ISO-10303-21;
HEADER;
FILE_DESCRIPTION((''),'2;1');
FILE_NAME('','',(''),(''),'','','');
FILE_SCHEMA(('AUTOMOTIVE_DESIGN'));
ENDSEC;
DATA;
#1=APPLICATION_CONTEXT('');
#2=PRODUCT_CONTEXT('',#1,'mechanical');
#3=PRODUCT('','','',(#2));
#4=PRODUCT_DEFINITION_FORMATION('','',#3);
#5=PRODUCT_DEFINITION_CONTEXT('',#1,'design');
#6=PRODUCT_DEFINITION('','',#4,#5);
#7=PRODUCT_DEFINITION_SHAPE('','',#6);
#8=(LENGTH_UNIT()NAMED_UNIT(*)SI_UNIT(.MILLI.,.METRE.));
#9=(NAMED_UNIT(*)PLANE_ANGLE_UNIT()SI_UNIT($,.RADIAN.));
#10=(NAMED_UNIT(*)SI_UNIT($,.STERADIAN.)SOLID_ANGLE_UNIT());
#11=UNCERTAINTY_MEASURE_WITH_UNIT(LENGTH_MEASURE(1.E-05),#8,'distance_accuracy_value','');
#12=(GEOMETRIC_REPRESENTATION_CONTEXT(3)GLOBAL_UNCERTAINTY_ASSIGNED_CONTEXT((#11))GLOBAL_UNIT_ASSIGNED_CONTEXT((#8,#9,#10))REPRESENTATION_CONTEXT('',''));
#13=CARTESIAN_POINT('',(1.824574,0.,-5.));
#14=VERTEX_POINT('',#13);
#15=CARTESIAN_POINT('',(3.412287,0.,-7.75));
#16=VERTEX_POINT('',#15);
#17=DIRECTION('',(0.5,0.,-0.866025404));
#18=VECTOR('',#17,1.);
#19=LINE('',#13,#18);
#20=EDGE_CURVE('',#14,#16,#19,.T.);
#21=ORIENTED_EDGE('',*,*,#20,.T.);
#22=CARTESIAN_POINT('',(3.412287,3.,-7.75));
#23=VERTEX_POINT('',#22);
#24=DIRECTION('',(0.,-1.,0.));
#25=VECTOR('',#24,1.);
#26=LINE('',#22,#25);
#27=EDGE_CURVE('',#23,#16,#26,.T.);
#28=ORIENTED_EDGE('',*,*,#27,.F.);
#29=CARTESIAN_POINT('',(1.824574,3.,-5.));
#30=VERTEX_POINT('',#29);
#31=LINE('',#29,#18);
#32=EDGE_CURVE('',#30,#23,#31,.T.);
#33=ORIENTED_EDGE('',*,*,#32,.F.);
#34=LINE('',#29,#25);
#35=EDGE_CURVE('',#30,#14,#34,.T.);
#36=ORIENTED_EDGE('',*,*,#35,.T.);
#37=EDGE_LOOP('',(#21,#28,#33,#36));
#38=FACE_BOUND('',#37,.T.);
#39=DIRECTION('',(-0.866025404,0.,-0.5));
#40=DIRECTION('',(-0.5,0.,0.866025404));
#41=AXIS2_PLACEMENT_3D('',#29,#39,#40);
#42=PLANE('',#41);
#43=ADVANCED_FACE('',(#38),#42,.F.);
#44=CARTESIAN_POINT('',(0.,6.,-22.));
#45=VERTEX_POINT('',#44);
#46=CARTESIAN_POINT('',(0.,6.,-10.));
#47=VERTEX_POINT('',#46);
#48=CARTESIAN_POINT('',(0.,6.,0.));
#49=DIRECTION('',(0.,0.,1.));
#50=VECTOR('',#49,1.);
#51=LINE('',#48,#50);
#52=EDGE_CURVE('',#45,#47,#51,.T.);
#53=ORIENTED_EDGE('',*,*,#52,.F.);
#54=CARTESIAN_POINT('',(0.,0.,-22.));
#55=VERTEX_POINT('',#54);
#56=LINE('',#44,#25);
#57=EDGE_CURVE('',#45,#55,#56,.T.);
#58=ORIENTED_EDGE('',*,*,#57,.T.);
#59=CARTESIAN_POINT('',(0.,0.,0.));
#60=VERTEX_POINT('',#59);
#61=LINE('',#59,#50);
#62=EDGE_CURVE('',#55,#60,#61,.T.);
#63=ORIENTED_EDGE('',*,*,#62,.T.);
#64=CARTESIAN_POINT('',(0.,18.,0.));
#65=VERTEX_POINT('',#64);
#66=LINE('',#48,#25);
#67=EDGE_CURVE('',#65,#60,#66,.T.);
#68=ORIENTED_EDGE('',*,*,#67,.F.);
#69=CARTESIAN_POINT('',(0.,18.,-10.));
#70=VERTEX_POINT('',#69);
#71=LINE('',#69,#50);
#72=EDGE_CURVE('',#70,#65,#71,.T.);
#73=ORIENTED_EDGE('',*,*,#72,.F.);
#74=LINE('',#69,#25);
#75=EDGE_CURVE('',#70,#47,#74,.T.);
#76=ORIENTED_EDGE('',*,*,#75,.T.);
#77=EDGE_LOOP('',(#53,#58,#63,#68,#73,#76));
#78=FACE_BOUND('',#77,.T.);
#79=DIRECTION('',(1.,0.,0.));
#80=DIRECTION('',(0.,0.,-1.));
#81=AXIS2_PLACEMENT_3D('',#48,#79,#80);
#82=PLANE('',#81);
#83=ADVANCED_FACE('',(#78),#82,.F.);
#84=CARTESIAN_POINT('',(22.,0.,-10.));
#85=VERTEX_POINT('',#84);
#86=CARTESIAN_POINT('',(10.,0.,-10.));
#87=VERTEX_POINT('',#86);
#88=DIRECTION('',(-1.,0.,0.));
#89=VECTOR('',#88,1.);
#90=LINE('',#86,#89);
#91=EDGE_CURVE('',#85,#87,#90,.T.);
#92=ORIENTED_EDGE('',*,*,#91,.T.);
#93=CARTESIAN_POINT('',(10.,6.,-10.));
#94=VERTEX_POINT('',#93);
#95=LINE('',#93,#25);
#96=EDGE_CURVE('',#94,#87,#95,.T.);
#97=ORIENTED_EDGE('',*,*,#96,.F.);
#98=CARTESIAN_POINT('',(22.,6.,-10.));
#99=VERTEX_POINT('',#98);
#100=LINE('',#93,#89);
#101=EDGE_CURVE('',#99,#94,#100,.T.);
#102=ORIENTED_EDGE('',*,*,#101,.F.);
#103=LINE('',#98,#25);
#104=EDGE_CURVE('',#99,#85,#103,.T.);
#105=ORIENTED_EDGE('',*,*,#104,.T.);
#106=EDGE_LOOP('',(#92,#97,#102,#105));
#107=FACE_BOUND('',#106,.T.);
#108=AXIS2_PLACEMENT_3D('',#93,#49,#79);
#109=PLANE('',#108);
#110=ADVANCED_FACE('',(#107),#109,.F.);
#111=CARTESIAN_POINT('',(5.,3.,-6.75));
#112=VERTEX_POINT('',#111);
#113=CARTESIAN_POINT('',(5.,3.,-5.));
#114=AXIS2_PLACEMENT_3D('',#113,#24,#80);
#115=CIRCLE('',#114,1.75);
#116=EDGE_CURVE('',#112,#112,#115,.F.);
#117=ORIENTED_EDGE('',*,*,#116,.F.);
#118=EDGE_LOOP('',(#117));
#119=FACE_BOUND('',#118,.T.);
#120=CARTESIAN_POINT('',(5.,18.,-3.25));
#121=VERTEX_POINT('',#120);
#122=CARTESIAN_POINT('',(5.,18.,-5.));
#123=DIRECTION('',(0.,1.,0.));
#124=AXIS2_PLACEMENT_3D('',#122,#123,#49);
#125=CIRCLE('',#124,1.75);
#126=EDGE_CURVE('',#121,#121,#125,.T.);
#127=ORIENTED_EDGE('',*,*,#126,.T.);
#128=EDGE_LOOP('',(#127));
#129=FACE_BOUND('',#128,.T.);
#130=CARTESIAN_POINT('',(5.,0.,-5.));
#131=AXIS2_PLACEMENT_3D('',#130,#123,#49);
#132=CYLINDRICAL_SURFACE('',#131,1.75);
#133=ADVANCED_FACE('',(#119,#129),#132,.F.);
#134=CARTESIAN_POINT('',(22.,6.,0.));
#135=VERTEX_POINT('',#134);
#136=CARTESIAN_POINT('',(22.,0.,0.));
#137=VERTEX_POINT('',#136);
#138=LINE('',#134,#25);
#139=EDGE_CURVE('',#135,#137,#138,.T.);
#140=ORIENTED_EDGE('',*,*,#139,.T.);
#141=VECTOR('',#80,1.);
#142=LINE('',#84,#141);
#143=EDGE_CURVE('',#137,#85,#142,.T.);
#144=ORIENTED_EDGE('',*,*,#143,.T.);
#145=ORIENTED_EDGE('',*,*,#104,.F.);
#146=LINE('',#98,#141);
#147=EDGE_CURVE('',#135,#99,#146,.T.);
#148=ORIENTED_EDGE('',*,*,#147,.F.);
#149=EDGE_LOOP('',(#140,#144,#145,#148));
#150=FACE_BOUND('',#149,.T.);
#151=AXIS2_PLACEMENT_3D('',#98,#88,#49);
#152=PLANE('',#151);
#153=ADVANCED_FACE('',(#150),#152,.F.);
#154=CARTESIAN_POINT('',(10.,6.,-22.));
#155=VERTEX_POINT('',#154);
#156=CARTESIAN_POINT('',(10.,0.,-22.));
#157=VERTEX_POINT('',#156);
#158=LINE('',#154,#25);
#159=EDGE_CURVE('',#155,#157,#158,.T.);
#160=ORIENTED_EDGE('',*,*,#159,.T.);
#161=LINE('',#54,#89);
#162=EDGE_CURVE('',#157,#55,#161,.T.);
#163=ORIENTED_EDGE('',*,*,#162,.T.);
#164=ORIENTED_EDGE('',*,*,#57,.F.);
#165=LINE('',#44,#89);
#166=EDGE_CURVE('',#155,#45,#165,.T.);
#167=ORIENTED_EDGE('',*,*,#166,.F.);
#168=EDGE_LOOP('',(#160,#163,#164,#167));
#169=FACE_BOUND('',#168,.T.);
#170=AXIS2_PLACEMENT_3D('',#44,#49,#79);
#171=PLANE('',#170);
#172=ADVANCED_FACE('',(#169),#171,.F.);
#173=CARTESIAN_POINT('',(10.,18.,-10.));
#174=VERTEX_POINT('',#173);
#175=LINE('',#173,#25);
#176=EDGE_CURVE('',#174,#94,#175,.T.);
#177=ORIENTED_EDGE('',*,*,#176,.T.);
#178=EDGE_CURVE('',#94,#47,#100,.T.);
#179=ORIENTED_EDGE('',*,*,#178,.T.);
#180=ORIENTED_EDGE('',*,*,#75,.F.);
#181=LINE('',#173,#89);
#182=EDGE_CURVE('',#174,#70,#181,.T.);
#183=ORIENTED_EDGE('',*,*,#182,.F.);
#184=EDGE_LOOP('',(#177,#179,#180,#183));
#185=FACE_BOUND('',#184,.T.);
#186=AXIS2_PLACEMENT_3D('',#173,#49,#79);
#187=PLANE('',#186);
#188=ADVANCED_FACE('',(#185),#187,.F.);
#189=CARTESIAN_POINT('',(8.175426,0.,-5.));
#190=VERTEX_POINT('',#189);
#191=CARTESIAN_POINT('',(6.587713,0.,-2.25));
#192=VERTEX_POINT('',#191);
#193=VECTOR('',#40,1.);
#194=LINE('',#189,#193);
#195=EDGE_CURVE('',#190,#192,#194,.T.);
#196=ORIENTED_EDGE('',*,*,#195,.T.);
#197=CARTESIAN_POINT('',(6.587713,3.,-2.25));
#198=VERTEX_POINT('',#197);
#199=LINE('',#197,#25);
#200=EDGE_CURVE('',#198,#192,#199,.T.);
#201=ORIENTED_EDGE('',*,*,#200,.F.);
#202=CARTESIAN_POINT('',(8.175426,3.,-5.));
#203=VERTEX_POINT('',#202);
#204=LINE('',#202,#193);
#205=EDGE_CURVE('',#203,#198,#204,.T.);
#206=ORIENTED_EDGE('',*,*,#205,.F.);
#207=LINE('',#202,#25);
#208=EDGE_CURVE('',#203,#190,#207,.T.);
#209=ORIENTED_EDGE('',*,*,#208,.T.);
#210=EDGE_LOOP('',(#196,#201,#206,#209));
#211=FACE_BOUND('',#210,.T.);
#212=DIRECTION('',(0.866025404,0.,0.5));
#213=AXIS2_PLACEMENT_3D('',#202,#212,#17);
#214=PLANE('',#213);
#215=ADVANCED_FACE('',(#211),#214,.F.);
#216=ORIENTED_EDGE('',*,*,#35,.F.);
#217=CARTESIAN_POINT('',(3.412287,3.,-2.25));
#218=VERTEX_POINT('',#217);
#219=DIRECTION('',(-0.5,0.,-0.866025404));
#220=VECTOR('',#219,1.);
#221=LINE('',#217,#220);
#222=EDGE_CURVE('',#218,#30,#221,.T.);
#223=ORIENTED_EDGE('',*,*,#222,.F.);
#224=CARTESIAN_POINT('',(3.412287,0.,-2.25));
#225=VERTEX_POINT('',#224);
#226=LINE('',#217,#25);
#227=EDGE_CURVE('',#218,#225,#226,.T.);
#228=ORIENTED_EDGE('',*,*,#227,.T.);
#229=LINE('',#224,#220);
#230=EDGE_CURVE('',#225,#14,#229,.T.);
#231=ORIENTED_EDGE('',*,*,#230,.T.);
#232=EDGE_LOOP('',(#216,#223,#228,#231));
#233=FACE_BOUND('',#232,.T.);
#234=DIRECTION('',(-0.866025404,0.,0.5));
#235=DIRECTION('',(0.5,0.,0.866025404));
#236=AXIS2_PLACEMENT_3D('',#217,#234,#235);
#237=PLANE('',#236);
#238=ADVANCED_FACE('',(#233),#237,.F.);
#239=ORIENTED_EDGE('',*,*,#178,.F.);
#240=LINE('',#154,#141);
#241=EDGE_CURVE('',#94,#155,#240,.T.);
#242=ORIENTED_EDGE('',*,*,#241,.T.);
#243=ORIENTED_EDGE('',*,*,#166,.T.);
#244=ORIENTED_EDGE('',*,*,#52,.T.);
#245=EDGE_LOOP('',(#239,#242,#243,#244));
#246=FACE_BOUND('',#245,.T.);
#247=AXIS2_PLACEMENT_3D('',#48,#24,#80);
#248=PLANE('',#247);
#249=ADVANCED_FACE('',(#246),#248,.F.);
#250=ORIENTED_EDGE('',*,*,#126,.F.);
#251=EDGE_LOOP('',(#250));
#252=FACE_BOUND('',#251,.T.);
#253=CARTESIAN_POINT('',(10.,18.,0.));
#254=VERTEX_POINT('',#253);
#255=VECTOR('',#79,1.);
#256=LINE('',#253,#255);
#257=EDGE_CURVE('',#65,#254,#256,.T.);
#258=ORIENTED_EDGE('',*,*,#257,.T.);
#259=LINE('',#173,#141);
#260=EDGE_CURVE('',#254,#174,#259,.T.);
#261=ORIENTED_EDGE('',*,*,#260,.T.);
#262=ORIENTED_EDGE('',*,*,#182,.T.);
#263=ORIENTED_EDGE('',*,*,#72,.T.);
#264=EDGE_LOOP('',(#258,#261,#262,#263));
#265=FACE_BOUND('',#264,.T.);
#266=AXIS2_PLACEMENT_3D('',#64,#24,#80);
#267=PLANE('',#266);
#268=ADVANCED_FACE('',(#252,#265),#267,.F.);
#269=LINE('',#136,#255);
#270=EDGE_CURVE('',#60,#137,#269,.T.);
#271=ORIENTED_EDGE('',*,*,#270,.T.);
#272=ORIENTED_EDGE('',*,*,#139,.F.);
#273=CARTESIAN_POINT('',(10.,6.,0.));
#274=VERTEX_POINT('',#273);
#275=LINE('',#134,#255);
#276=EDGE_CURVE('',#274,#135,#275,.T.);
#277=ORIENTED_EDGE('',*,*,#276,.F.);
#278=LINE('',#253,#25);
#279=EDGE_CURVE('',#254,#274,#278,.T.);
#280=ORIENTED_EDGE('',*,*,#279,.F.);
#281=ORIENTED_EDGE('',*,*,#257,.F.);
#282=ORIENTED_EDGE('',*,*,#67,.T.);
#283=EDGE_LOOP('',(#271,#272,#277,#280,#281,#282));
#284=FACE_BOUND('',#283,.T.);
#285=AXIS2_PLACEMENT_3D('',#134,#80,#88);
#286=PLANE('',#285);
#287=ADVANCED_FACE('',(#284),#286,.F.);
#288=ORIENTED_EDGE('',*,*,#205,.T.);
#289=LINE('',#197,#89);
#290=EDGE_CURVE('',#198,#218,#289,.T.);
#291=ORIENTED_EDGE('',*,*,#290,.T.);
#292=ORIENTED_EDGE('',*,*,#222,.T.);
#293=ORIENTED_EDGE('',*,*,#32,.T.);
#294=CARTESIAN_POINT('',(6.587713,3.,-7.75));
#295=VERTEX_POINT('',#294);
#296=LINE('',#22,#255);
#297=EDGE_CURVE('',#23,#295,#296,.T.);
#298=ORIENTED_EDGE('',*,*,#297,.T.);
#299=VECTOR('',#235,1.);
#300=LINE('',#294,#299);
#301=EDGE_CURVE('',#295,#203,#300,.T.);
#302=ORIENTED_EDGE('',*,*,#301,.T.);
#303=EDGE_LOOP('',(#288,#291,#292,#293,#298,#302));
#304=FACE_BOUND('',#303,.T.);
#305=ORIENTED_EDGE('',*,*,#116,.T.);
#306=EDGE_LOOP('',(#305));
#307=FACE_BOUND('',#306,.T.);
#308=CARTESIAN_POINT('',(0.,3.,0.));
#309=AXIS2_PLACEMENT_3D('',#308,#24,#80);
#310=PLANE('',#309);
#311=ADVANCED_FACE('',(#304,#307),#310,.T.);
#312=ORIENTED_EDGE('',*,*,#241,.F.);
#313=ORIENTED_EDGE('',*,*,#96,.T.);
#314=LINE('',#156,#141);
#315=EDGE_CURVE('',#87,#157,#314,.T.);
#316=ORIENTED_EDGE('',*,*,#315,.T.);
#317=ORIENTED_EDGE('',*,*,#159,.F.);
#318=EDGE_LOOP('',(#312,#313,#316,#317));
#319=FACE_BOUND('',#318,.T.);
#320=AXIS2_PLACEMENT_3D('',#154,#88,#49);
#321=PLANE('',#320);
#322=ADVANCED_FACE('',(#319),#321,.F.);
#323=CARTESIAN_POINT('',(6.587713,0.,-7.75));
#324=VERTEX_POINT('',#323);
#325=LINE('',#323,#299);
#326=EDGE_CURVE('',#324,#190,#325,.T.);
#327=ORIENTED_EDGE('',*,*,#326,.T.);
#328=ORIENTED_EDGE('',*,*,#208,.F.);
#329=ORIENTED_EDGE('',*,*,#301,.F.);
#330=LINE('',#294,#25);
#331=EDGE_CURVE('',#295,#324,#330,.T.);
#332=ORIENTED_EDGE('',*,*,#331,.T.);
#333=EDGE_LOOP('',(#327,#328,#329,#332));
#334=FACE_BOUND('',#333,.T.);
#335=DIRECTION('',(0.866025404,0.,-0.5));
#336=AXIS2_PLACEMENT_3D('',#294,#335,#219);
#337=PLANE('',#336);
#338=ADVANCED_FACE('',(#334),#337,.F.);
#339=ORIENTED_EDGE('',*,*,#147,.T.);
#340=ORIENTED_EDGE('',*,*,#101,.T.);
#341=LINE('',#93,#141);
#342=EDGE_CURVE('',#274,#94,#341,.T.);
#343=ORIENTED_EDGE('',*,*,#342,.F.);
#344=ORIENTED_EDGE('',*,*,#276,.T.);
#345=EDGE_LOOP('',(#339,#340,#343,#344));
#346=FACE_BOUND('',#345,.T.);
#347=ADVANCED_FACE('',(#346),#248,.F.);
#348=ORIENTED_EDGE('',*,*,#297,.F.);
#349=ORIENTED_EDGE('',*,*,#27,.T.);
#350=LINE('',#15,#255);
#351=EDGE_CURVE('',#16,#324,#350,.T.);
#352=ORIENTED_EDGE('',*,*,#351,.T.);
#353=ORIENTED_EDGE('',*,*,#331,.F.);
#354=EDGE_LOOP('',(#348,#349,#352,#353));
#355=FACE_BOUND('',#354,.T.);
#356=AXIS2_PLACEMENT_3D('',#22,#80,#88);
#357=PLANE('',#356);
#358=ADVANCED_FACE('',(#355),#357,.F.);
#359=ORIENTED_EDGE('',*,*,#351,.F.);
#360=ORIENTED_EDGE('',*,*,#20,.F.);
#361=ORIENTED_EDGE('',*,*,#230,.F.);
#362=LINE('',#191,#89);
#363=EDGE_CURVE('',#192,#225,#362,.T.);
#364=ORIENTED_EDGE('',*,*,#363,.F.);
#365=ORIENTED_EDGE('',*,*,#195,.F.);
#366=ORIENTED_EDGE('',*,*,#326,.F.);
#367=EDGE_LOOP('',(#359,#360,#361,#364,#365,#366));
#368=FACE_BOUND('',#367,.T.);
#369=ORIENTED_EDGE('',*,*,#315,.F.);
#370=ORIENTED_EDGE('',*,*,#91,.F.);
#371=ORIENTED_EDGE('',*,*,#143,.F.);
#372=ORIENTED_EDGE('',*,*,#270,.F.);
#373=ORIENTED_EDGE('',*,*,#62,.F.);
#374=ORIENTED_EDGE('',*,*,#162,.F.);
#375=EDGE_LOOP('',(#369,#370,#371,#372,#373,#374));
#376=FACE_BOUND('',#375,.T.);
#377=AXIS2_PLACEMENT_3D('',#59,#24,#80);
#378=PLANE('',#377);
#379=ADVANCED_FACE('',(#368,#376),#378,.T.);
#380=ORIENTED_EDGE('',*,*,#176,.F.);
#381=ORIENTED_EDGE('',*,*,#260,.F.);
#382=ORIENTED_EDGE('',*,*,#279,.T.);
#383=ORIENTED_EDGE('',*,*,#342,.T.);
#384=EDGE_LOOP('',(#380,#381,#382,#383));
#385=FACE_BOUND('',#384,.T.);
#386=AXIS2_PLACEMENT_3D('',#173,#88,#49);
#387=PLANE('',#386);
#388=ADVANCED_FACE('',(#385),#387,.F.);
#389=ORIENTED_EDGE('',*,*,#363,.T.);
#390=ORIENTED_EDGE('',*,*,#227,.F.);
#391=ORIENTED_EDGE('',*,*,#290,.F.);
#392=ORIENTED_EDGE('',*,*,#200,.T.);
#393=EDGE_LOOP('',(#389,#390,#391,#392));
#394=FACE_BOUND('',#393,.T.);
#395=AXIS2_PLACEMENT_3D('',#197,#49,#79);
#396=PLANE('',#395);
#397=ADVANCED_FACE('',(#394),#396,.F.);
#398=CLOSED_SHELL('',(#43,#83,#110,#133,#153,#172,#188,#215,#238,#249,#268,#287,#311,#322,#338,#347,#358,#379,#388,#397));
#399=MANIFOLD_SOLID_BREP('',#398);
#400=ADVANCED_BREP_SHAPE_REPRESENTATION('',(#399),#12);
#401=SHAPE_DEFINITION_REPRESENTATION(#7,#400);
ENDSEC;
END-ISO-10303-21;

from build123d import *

# Parameters (mm, degrees)
BOSS_EXTRUDE1_DEPTH = 6
SKETCH2_W           = 10
SKETCH2_H           = 10
BOSS_EXTRUDE2_DEPTH = 12
SKETCH3_R           = 1.75
CUT_EXTRUDE1_DEPTH  = 36.944401511
CUT_EXTRUDE2_DEPTH  = 3


with BuildPart() as part:
    # Sketch1 → Boss-Extrude1 (new body)
    with BuildSketch(Plane(origin=(0, 0, 0), x_dir=(1, 0, 0), z_dir=(0, 1, 0))):
        Polygon((0, 0), (0, 22), (10, 22), (10, 10), (22, 10), (22, 0), align=None)
    extrude(amount=BOSS_EXTRUDE1_DEPTH)

    # Sketch2 → Boss-Extrude2 (add)
    with BuildSketch(Plane(origin=(0, 6, 0), x_dir=(1, 0, 0), z_dir=(0, 1, 0))):
        with Locations((5, 5)):
            Rectangle(SKETCH2_W, SKETCH2_H)
    extrude(amount=BOSS_EXTRUDE2_DEPTH)

    # Sketch3 → Cut-Extrude1 (cut, through all)
    with BuildSketch(Plane(origin=(0, 18, 0), x_dir=(1, 0, 0), z_dir=(0, 1, 0))):
        with Locations(Location((5, 5, 0), (0, 0, 270))):
            Circle(SKETCH3_R)
    extrude(amount=-CUT_EXTRUDE1_DEPTH, mode=Mode.SUBTRACT)

    # Sketch4 → Cut-Extrude2 (cut)
    with BuildSketch(Plane.XZ):
        Polygon((1.824573519, -5), (3.41228676, -7.75), (6.58771324, -7.75), (8.175426481, -5), (6.58771324, -2.25), (3.41228676, -2.25), align=None)
    extrude(amount=-CUT_EXTRUDE2_DEPTH, mode=Mode.SUBTRACT)


solid = part.part
